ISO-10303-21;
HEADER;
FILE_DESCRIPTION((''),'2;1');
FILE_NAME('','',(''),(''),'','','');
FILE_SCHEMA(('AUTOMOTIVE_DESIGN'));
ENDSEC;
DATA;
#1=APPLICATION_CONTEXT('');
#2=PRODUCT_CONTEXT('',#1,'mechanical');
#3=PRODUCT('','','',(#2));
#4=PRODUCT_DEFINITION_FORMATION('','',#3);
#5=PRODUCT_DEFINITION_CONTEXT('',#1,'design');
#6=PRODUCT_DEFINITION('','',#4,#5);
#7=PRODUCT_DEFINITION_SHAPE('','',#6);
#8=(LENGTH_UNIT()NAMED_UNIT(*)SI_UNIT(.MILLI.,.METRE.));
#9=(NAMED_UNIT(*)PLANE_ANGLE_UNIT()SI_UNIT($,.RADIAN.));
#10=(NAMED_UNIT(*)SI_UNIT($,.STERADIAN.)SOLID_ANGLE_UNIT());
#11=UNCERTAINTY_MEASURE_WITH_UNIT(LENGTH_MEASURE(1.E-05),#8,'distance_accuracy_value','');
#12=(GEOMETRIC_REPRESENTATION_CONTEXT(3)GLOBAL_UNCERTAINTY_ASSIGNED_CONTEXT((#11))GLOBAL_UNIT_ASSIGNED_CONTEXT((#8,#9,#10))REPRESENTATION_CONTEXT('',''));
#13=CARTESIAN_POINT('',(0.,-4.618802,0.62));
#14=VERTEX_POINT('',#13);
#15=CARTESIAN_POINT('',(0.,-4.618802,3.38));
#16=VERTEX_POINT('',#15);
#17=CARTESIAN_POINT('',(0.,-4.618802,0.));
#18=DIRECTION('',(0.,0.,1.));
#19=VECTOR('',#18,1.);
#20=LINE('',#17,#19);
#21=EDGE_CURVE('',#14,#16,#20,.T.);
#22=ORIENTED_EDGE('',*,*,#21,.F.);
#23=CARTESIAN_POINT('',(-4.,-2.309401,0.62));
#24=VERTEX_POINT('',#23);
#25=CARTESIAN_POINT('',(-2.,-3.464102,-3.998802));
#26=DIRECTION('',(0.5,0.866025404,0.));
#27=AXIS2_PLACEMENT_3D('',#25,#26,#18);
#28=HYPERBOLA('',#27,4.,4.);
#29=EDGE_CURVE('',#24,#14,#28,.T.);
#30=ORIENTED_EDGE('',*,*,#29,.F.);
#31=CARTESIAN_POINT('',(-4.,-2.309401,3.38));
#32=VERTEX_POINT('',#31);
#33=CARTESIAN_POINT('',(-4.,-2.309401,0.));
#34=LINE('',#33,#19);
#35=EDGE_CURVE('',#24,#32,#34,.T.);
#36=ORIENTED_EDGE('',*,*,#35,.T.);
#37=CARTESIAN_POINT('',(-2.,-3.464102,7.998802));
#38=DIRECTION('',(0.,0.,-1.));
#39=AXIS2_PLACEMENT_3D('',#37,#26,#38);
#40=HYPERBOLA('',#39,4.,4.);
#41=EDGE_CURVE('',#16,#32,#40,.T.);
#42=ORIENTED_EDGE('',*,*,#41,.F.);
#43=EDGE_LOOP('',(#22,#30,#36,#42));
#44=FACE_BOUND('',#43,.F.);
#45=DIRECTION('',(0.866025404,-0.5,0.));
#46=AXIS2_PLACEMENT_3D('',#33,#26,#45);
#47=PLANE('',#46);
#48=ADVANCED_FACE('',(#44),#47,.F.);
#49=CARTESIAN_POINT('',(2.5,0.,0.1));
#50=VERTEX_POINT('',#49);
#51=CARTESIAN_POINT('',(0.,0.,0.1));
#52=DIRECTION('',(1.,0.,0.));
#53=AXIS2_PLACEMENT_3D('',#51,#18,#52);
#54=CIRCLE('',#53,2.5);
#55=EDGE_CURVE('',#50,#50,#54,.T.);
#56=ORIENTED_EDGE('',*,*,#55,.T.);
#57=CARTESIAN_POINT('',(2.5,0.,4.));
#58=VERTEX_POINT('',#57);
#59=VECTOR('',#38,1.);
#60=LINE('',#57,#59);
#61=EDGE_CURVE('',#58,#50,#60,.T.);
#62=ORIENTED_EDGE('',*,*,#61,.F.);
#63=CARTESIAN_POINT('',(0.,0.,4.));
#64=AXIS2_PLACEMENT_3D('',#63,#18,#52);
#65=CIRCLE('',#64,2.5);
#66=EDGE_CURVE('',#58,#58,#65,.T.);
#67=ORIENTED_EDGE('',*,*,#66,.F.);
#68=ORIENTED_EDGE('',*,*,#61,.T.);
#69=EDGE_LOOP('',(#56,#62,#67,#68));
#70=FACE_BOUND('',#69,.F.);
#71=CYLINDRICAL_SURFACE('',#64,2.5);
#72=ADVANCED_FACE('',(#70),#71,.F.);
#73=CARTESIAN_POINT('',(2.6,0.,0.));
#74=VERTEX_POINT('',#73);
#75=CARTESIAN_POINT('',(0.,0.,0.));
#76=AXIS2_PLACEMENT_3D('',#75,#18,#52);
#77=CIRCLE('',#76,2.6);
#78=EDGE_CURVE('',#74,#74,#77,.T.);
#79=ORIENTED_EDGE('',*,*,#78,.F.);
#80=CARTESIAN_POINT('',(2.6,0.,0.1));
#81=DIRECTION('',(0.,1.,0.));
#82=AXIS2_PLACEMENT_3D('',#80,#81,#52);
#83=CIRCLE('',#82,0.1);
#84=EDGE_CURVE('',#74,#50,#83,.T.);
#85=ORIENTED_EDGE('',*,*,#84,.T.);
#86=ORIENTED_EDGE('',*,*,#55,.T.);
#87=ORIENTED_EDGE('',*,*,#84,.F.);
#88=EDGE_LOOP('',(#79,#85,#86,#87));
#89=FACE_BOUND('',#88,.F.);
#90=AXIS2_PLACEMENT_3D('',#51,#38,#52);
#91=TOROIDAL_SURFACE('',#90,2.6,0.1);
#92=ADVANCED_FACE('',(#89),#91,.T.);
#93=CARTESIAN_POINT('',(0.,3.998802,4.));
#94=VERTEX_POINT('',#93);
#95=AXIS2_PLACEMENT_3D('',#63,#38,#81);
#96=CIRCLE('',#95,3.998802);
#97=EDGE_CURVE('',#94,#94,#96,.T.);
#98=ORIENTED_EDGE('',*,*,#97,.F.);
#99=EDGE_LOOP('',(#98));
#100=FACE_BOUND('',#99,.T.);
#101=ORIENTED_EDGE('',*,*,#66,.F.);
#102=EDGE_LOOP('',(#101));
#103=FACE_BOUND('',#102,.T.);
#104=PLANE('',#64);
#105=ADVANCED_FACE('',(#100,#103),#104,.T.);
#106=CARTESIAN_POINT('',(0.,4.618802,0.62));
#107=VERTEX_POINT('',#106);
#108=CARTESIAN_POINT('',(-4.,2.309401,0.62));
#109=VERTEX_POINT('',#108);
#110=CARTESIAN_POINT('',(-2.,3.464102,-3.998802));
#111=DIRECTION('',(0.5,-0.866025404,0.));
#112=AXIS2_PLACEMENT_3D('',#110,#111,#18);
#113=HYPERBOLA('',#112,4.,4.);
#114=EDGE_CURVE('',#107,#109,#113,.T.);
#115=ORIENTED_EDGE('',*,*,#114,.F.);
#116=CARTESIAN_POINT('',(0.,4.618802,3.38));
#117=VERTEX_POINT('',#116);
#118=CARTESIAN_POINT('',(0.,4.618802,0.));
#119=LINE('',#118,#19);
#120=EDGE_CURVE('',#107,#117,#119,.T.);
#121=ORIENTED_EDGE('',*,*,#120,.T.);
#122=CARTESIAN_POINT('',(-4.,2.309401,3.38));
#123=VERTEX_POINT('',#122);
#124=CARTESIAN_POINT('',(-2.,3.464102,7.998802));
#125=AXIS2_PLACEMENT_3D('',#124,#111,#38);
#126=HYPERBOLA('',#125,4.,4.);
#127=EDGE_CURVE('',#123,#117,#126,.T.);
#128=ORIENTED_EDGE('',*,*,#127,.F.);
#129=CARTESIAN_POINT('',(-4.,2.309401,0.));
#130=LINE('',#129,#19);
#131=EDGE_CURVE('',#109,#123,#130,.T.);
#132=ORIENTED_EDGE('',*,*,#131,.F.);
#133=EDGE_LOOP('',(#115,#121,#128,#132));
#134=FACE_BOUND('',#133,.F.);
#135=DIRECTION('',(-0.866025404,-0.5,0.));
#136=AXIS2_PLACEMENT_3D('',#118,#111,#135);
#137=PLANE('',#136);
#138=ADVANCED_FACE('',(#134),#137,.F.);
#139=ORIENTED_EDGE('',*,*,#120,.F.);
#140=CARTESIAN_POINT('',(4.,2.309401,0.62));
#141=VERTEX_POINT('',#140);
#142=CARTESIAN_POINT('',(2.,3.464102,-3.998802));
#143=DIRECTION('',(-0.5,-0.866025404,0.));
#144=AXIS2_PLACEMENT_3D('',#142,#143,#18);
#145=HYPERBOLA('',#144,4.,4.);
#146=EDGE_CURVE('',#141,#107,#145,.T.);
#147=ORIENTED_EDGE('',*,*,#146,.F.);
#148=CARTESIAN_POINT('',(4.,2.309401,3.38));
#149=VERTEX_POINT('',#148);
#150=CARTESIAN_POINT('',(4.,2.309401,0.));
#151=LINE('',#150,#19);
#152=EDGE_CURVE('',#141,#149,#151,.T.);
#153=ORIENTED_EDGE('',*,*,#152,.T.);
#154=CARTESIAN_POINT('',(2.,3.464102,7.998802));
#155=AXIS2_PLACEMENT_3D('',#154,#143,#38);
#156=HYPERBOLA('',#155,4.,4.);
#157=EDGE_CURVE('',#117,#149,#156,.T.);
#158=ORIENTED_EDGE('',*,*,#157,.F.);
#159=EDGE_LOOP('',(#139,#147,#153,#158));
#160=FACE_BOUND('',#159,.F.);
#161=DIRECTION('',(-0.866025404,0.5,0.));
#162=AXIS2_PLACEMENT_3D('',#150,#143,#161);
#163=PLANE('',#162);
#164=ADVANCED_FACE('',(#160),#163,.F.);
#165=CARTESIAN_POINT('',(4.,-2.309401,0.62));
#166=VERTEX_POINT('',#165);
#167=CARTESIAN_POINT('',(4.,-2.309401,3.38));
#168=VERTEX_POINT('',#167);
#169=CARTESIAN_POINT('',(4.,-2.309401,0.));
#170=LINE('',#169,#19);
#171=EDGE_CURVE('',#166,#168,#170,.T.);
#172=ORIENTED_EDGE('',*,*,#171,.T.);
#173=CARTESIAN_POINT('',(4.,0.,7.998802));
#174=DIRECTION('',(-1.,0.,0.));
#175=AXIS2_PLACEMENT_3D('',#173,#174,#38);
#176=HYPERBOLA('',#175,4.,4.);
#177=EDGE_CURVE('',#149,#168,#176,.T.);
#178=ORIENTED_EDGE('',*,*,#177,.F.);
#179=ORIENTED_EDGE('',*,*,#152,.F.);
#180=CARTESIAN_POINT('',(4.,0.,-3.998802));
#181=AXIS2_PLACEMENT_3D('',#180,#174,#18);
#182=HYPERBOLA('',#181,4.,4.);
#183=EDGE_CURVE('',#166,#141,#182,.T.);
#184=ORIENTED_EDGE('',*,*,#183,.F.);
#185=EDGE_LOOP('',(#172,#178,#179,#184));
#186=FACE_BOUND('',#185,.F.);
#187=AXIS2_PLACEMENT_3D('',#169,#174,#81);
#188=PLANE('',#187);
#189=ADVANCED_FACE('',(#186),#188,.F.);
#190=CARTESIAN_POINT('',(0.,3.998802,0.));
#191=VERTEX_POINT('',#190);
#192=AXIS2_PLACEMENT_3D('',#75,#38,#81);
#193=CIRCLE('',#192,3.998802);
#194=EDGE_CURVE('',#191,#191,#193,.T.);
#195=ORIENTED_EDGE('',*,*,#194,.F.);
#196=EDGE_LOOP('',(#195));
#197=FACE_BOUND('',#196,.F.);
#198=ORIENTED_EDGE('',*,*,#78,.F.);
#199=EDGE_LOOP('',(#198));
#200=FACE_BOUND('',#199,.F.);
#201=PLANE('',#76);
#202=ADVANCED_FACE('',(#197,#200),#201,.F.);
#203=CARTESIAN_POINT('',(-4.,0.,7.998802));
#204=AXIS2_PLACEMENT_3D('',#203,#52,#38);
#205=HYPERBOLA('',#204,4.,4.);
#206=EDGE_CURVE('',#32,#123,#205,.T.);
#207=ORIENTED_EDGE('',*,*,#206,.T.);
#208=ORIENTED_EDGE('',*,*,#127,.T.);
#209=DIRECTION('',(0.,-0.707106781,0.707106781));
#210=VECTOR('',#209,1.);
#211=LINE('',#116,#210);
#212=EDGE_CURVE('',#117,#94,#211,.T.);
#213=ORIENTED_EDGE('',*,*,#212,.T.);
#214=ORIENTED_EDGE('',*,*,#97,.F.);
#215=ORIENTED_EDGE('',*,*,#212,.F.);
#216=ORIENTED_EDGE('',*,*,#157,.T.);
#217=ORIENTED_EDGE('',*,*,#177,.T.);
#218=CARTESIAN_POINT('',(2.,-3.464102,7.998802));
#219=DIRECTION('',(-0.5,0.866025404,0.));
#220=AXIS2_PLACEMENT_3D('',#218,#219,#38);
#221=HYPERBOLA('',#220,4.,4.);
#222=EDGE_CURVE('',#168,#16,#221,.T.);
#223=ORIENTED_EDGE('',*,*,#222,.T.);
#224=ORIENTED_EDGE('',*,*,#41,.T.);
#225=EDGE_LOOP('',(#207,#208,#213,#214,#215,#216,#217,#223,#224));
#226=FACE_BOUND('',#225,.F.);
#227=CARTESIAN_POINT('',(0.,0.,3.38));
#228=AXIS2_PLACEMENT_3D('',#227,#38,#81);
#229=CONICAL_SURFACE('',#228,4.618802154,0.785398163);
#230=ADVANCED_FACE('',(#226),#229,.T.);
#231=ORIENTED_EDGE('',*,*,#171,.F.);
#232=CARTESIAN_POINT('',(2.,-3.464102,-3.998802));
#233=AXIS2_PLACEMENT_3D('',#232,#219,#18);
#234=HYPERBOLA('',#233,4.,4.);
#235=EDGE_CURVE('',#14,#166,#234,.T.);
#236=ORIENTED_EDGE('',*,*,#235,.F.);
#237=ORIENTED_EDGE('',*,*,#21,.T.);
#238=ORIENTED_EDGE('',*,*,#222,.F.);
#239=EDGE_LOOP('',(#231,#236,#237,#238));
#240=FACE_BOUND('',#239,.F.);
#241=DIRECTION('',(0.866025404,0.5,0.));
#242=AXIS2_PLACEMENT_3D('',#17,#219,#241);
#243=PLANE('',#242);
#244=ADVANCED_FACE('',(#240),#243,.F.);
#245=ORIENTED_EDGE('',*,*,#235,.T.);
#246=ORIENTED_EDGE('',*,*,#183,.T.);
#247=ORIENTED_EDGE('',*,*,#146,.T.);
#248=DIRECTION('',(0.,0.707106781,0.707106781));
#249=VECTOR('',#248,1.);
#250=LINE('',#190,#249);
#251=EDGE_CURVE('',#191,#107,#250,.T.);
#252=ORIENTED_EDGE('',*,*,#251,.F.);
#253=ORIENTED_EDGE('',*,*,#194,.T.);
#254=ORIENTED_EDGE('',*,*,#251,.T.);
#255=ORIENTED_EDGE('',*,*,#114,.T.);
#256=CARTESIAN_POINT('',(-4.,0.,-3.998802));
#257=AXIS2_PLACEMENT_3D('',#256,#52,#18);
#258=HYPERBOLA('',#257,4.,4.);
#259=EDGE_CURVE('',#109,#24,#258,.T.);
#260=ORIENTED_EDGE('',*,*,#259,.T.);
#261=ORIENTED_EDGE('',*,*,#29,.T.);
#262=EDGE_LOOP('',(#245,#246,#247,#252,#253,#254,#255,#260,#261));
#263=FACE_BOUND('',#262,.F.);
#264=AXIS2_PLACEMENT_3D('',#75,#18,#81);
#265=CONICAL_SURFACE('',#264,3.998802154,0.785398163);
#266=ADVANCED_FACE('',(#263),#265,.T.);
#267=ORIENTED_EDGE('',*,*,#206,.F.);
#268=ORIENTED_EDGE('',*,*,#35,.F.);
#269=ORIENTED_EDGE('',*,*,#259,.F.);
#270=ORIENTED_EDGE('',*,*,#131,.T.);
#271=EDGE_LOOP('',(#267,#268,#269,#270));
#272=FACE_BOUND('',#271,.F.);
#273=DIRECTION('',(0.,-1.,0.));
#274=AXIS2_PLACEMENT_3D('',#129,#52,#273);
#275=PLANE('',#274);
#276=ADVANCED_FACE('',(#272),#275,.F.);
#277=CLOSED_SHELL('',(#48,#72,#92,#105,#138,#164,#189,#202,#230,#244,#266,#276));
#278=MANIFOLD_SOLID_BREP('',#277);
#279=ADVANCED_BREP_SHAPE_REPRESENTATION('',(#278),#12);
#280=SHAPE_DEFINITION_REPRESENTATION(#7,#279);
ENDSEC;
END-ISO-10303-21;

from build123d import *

# Parameters (mm, degrees)
EXTRUDE_1_DEPTH     = 4
SKETCH_2_R          = 2.5
CUT_EXTRUDE_1_DEPTH = 4
FILLET_1_R          = 0.1


with BuildPart() as part:
    # 草图1 → 凸台-拉伸1 (new body)
    with BuildSketch(Plane.XY):
        Polygon((0, 4.618802154), (-4, 2.309401077), (-4, -2.309401077), (0, -4.618802154), (4, -2.309401077), (4, 2.309401077), align=None)
    extrude(amount=EXTRUDE_1_DEPTH)

    # 草图2 → 切除-拉伸1 (cut)
    with BuildSketch(Plane.XY.offset(4)):
        Circle(SKETCH_2_R)
    extrude(amount=-CUT_EXTRUDE_1_DEPTH, mode=Mode.SUBTRACT)

    # 圆角1
    fillet_1_edges = [part.edges().sort_by_distance(p)[0] for p in [
        (-2.5, 0, 0),
    ]]
    fillet(fillet_1_edges, radius=FILLET_1_R)

    # 草图3 → 切除-旋转2 (revolve, cut)
    with BuildSketch(Plane(origin=(0, 0, 0), x_dir=(0, 0, -1), z_dir=(1, 0, 0))):
        Polygon((0, 4.618802154), (0, 3.998802154), (-0.62, 4.618802154), align=None)
        Polygon((-3.38, 4.618802154), (-4, 3.998802154), (-4, 4.618802154), align=None)
    revolve(axis=Axis((0, 0, 0), (0, 0, -1)), mode=Mode.SUBTRACT)


solid = part.part
